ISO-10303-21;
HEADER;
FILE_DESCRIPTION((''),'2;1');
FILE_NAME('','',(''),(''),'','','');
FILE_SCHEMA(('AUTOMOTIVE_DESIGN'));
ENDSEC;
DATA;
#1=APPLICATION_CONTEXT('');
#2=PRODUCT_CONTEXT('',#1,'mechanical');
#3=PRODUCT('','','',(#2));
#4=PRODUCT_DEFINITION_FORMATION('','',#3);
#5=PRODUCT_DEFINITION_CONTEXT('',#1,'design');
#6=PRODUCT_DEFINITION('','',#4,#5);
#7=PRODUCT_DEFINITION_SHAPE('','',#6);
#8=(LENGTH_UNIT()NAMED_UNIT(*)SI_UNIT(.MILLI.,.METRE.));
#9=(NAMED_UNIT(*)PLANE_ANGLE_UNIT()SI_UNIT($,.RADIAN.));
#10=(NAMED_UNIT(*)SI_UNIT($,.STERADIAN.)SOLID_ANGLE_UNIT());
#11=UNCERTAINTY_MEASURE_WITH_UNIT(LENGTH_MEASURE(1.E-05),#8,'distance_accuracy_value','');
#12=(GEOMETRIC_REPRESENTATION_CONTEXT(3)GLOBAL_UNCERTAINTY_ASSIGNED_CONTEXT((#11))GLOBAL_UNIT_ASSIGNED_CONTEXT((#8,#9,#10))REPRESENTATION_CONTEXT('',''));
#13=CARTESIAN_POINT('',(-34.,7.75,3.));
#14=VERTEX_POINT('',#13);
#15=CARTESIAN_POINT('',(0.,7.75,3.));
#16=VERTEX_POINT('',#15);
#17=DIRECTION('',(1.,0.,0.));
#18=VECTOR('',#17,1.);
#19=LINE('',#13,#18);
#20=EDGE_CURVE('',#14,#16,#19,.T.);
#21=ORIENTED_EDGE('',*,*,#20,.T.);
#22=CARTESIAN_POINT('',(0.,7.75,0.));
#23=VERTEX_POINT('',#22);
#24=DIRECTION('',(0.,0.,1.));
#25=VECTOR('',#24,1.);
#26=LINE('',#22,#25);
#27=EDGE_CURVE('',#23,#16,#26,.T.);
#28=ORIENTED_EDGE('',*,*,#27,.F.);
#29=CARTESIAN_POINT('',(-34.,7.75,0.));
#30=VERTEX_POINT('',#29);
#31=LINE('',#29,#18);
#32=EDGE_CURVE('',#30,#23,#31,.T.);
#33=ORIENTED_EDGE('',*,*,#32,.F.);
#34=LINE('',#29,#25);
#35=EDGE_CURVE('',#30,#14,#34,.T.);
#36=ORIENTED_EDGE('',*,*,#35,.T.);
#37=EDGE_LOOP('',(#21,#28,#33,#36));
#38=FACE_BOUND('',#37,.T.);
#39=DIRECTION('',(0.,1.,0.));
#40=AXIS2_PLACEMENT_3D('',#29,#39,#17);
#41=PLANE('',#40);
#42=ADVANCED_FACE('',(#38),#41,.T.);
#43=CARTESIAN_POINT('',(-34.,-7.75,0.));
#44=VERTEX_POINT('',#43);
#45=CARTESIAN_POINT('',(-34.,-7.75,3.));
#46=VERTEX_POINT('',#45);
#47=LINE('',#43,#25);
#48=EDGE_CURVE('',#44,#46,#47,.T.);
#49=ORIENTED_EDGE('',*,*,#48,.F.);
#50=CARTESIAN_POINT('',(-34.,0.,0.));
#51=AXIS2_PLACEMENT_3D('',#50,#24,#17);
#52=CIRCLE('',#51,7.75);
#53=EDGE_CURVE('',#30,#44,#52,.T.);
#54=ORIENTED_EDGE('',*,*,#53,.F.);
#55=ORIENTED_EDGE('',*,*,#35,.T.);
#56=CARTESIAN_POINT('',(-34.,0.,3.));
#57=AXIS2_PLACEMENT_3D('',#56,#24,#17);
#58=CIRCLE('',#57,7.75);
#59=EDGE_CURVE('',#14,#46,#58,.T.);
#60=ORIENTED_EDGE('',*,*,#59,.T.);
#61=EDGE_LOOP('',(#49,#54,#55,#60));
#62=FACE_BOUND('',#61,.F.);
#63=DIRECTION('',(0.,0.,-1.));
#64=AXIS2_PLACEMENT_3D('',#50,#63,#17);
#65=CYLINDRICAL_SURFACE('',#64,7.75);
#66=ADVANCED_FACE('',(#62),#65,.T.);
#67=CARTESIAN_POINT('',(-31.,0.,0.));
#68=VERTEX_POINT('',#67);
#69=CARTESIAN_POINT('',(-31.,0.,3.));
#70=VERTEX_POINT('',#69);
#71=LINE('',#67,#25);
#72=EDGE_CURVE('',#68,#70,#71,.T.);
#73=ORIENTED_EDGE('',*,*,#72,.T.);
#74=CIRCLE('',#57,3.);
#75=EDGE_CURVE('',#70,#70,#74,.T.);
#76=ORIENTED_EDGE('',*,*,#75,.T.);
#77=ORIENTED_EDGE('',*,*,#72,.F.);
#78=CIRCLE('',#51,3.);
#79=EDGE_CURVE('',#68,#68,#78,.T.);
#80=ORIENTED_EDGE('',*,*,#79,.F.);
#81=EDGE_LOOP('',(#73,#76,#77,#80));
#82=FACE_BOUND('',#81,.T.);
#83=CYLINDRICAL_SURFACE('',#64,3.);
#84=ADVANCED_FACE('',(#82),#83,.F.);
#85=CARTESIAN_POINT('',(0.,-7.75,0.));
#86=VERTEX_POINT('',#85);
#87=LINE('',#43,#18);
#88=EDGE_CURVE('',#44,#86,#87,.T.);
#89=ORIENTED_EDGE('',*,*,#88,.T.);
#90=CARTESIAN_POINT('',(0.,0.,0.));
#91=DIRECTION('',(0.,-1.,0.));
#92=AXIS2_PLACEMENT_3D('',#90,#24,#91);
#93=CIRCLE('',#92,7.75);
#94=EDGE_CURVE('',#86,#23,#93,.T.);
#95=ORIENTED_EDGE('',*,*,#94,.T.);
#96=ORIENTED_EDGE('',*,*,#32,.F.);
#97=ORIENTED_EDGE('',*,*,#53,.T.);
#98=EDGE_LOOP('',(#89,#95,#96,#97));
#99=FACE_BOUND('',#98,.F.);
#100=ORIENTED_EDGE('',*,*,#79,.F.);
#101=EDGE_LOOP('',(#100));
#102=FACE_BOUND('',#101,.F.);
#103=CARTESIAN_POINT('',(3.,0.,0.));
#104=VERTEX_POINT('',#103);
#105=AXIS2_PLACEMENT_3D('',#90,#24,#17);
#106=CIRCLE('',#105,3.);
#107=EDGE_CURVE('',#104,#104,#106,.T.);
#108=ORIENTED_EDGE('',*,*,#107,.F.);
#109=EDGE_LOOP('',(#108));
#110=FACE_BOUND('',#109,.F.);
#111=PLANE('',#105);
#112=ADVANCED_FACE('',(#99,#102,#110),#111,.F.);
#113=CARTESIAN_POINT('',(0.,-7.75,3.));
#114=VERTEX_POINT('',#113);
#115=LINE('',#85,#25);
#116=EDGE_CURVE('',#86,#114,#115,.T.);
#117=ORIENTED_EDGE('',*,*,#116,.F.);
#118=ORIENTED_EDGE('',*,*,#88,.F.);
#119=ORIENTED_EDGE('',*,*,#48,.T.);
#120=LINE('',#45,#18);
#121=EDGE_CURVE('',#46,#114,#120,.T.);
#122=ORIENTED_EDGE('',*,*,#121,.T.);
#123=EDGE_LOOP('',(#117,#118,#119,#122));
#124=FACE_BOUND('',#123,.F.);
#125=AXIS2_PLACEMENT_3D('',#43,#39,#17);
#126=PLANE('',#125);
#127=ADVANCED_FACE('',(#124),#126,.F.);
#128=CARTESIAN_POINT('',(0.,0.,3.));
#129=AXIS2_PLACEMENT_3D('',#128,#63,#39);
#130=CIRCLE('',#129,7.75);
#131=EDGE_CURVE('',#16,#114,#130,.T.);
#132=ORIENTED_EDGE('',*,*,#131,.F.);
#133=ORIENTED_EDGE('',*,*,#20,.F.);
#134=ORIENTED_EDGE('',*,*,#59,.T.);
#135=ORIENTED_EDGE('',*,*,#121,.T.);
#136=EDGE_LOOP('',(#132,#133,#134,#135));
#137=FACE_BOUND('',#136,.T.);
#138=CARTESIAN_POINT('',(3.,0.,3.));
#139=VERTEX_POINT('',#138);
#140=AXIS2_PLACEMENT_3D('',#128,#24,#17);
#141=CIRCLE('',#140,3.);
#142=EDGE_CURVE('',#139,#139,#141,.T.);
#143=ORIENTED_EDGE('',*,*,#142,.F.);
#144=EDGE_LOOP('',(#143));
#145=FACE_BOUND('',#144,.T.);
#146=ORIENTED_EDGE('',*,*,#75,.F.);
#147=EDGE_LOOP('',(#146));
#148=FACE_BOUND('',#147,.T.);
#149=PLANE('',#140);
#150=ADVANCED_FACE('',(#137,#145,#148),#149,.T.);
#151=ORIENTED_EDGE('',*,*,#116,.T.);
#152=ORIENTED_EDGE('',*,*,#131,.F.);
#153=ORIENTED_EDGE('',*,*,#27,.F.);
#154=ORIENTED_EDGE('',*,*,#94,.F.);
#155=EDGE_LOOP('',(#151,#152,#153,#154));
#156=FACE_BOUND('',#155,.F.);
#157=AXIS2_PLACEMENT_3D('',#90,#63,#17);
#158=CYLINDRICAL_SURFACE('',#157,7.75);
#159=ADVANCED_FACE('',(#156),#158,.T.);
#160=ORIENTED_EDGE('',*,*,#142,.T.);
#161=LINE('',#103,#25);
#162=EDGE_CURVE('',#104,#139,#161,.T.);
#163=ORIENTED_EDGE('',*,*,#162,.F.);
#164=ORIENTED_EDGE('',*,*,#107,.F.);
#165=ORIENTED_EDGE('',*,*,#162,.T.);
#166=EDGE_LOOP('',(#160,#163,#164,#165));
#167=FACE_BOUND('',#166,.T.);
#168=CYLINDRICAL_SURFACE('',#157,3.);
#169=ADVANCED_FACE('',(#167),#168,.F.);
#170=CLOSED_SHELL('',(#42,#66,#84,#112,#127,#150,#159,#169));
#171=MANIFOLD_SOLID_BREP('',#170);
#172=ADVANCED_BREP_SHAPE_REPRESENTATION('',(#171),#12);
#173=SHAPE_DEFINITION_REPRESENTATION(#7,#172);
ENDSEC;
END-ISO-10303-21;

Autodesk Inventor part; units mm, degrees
ref_plane "YZ Plane" through (0, 0, 0) normal (1, 0, 0) x (0, 1, 0)
ref_plane "XZ Plane" through (0, 0, 0) normal (0, 1, 0) x (-1, 0, 0)
ref_plane "XY Plane" through (0, 0, 0) normal (0, 0, 1) x (1, 0, 0)
sketch "Base" plane through (0, 0, 0) normal (0, 0, 1) x (1, 0, 0)
  circle A0 centre (0, 0) radius 7.75
  line L0 (0, 0) -> (-34, 0) construction
  circle A1 centre (-34, 0) radius 7.75
  circle A2 centre (0, 0) radius 3
  circle A3 centre (-34, 0) radius 3
  line L1 (-34, 7.75) -> (0, 7.75)
  line L2 (-34, -7.75) -> (0, -7.75)
  dimension "d0" = 15.5
  dimension "d1" = 34
  dimension "d3" = 6
extrude "BaseFeature" add sketch "Base" along normal blind 3
properties part number "BackSideConnector"
